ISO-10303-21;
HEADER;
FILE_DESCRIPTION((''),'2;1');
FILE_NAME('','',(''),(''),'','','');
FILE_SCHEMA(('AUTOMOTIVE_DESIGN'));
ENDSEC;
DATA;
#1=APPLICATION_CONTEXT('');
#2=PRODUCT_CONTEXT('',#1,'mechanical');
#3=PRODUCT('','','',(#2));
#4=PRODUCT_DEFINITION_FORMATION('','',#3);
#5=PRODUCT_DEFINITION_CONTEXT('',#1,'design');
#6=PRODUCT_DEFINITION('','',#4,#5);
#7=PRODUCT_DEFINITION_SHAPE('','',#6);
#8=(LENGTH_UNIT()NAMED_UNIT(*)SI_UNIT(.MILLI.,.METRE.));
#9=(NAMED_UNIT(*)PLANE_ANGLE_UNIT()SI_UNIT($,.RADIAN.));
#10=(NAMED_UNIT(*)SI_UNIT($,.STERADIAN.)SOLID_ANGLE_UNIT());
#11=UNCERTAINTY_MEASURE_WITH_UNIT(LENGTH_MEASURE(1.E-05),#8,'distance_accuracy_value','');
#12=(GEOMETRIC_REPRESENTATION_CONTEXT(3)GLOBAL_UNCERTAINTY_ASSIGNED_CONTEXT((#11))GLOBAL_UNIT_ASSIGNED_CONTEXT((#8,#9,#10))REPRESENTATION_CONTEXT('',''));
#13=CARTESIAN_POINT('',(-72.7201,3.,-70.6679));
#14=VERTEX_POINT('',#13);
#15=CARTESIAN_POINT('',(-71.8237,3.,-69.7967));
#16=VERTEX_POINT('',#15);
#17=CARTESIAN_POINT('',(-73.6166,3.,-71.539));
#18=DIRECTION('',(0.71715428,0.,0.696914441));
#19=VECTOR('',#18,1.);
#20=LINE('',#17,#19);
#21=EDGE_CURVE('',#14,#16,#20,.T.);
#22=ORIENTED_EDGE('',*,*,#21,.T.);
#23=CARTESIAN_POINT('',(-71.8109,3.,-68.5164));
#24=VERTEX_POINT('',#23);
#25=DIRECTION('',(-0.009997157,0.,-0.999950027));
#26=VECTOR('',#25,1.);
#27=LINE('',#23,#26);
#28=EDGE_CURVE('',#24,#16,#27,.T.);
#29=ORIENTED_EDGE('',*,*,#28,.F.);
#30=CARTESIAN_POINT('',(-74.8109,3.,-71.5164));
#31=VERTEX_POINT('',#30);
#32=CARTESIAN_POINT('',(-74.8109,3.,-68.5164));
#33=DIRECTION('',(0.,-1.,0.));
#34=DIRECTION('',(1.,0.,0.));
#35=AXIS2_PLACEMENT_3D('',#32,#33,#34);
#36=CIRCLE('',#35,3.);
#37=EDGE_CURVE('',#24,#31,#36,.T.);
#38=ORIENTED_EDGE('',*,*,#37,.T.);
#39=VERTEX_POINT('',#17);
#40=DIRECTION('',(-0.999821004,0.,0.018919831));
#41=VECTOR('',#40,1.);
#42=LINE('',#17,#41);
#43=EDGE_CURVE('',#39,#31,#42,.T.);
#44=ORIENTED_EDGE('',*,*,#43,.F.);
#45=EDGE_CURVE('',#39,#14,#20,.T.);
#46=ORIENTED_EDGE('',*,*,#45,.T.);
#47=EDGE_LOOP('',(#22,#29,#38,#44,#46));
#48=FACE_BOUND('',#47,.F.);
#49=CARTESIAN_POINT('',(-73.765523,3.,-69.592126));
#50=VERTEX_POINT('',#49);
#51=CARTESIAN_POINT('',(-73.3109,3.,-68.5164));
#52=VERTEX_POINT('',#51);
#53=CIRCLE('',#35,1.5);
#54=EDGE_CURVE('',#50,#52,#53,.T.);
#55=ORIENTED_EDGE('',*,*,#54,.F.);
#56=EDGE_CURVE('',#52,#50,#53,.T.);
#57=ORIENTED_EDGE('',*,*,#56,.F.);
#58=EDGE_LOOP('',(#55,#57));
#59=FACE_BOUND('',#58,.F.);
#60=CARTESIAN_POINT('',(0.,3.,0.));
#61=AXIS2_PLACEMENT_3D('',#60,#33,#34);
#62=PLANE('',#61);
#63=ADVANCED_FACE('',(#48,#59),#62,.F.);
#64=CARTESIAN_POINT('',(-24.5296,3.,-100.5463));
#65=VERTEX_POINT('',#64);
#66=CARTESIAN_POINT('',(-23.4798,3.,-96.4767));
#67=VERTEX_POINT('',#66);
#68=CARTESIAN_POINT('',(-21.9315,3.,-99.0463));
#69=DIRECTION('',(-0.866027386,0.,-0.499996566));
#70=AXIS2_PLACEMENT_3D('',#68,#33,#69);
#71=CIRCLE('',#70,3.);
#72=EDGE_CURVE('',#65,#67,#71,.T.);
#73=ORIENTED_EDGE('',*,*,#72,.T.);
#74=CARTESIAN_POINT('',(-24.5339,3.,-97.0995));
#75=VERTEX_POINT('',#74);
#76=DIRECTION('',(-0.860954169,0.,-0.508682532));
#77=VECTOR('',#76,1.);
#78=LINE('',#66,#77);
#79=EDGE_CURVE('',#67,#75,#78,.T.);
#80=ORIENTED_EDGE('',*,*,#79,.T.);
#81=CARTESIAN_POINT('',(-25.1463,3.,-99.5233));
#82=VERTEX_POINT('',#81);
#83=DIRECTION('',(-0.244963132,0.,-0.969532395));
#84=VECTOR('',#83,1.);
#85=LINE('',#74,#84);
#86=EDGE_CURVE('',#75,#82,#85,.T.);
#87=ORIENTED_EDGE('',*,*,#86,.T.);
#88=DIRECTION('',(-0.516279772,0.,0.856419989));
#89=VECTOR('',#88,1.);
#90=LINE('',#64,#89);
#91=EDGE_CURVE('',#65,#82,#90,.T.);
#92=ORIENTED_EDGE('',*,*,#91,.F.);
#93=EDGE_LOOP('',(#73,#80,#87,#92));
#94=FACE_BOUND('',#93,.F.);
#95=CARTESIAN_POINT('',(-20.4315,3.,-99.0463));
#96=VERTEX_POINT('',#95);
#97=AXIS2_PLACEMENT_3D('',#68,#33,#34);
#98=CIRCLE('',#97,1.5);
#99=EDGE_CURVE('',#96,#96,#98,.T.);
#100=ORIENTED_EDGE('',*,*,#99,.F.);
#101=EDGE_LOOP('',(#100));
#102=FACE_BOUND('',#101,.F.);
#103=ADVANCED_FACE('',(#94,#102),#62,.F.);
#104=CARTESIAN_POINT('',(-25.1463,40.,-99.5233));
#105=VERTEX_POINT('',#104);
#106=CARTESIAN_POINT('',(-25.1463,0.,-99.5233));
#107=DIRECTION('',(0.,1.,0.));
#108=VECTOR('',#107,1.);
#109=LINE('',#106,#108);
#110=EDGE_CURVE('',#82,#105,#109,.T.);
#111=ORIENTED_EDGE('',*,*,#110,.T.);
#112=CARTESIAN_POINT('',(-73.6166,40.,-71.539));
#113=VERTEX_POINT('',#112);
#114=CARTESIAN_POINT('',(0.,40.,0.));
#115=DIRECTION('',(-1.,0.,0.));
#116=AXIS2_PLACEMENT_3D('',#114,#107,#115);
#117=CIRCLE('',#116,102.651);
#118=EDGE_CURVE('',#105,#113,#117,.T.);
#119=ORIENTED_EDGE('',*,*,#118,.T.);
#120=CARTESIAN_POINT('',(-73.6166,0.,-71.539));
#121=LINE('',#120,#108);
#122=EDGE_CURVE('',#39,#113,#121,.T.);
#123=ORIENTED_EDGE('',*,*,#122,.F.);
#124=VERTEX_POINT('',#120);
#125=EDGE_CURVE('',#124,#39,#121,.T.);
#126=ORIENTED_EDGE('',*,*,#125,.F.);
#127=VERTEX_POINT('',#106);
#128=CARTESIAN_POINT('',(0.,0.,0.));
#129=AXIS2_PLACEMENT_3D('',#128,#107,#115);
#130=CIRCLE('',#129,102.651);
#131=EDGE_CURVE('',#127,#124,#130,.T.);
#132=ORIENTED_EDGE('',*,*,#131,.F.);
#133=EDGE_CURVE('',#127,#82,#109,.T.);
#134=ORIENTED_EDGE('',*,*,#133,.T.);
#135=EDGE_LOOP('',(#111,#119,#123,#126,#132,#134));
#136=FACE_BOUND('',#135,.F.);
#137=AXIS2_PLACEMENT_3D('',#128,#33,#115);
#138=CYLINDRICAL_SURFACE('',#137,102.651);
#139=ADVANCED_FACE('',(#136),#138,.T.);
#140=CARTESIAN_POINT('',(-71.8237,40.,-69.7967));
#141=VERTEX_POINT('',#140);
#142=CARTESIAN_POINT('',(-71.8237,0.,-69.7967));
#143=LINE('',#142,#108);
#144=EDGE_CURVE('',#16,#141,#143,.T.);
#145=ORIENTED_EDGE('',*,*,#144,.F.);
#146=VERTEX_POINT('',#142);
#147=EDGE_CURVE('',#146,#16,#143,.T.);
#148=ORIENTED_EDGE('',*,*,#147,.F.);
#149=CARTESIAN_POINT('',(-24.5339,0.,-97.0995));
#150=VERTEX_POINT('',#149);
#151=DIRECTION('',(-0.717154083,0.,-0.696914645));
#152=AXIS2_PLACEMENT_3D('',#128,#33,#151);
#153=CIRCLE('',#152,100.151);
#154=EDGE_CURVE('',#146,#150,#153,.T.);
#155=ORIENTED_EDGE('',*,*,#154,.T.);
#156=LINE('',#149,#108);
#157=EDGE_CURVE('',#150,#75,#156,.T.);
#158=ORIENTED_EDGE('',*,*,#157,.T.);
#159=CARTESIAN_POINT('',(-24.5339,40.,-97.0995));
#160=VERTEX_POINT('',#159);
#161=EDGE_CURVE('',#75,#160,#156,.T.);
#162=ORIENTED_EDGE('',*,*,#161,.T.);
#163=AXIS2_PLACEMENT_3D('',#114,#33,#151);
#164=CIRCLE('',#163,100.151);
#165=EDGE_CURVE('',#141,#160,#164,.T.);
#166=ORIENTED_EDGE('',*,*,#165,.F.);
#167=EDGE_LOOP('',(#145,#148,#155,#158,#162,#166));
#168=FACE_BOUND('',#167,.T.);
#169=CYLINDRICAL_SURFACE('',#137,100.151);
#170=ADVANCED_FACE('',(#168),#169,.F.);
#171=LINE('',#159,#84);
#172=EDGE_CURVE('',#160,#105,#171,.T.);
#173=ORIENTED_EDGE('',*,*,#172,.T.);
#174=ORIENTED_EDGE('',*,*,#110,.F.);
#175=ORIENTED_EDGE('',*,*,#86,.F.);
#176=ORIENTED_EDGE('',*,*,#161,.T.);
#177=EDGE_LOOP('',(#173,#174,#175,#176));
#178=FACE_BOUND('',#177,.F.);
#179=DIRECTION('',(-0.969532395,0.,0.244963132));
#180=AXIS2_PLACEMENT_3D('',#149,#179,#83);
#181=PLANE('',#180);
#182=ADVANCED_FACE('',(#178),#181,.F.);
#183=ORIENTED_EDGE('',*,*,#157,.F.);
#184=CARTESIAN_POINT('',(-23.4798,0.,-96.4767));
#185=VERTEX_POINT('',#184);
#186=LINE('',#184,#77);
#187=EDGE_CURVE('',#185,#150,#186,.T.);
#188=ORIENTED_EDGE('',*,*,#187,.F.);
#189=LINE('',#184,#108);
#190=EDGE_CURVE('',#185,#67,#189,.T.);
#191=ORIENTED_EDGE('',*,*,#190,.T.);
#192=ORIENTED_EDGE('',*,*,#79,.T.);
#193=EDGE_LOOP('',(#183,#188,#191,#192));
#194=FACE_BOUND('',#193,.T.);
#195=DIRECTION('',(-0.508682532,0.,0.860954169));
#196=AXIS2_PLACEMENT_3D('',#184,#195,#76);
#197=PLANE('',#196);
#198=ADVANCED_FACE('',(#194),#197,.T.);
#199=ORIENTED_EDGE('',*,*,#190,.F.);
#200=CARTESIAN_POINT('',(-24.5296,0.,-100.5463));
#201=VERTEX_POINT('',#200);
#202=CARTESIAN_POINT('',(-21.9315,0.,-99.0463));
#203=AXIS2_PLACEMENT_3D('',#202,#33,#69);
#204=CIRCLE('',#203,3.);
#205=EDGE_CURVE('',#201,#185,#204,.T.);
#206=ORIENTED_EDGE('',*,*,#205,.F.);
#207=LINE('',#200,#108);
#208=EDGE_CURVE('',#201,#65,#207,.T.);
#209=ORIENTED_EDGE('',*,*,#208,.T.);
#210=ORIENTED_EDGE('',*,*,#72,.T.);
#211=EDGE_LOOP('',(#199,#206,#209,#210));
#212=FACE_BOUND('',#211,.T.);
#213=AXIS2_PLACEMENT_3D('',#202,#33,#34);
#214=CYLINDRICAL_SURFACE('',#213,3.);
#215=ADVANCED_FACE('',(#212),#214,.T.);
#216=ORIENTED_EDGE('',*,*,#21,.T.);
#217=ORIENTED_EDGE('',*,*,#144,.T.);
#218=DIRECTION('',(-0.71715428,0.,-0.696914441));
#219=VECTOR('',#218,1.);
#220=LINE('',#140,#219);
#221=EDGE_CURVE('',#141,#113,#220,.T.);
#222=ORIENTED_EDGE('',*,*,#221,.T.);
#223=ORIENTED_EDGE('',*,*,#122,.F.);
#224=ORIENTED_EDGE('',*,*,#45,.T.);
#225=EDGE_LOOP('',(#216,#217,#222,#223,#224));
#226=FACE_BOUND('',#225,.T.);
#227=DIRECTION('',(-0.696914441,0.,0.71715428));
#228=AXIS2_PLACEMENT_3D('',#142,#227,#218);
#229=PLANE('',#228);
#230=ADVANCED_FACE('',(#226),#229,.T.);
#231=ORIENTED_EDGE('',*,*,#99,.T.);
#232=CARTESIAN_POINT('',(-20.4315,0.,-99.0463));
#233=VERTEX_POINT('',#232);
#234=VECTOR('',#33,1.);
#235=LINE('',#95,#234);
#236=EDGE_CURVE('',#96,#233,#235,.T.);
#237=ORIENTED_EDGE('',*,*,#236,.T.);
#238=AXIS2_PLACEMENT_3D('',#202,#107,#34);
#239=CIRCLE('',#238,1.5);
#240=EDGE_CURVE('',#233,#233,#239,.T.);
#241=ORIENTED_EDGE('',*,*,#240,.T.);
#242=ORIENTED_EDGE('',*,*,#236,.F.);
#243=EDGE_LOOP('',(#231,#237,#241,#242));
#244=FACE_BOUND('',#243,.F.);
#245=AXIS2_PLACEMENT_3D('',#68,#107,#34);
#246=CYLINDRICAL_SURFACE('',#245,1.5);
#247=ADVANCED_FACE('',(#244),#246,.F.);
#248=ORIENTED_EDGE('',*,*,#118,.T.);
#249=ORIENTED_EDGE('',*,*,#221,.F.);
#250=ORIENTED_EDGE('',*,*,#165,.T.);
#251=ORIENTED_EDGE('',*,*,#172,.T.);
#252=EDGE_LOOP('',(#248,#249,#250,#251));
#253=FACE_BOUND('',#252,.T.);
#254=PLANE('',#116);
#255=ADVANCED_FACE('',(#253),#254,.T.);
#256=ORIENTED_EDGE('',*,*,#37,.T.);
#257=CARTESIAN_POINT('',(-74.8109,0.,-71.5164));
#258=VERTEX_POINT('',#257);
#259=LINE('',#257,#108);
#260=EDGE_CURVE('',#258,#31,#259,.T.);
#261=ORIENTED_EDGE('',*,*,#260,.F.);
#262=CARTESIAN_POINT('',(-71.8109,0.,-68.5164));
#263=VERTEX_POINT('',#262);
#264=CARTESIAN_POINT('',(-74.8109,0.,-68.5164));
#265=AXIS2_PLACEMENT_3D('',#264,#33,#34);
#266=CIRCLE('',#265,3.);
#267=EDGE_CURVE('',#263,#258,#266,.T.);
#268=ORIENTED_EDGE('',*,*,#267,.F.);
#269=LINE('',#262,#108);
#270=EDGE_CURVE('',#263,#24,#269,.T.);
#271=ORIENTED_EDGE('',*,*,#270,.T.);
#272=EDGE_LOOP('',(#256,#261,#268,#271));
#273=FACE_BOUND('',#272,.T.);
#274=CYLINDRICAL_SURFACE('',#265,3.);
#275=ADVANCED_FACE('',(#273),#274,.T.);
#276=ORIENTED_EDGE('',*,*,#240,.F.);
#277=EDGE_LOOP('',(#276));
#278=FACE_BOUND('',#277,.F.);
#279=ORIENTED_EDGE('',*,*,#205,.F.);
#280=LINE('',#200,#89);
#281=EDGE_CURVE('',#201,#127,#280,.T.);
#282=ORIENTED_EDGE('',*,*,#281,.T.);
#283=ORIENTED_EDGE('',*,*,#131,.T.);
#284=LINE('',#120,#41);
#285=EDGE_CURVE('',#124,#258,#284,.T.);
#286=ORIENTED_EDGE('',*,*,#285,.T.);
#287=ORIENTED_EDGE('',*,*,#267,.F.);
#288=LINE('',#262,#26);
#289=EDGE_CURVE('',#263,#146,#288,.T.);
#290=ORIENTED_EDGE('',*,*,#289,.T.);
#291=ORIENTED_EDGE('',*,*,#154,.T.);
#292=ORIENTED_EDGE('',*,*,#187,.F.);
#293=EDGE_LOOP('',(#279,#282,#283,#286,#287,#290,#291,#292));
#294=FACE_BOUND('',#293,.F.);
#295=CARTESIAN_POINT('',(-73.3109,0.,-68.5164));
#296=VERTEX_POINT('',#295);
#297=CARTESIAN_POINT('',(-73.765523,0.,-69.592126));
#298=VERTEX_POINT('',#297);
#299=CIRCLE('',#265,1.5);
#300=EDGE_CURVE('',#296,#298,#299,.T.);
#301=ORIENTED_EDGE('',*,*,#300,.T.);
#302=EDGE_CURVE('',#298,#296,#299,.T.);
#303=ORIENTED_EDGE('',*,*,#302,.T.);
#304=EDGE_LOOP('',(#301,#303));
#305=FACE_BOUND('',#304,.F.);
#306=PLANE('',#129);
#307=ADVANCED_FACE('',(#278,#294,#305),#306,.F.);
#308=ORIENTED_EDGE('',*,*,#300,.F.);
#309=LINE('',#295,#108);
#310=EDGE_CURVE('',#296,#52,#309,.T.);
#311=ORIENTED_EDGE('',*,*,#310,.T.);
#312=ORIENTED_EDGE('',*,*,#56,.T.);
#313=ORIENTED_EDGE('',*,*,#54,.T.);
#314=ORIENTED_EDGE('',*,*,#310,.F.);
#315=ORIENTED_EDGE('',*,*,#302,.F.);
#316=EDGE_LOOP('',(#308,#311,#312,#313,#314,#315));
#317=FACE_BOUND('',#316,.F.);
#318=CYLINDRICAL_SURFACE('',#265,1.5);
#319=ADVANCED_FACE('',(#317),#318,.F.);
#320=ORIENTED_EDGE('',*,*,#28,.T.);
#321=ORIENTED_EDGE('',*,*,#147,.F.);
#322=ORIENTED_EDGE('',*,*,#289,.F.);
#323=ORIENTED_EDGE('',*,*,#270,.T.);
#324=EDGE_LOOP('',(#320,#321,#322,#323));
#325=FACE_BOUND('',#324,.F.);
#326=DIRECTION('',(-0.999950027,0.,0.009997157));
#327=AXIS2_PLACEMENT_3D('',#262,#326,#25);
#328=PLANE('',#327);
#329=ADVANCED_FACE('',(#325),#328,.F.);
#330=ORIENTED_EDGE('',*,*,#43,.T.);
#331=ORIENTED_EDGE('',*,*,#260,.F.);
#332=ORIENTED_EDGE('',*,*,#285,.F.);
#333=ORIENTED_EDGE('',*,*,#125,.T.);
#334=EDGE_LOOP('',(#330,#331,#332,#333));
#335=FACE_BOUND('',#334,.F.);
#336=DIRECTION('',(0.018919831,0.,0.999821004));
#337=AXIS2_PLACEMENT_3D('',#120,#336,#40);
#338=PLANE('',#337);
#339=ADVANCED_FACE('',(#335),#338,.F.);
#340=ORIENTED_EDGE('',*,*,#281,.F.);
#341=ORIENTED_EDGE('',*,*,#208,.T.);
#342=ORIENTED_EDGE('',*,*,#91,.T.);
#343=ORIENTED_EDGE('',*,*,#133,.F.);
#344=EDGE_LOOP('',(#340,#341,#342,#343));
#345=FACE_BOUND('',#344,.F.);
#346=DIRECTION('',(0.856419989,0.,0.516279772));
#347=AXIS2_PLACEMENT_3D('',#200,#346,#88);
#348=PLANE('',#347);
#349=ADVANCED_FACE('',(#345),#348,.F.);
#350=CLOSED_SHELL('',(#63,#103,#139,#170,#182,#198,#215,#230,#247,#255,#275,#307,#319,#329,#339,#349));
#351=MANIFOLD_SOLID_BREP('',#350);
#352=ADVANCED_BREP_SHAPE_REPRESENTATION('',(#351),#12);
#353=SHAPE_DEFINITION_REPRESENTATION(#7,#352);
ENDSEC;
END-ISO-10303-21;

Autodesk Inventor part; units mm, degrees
ref_plane "YZ Plane" through (0, 0, 0) normal (1, 0, 0) x (0, 1, 0)
ref_plane "XZ Plane" through (0, 0, 0) normal (0, 1, 0) x (-1, 0, 0)
ref_plane "XY Plane" through (0, 0, 0) normal (0, 0, 1) x (1, 0, 0)
sketch "Sketch1" plane through (0, 0, 0) normal (0, 1, 0) x (-1, 0, 0)
  circle A0 centre (0, 0) radius 100.151
  line L0 (0, 0) -> (50.0755, -86.7333)
  line L1 (0, 0) -> (100.151, 0) construction
  line L2 (0, 0) -> (50.0755, 86.7333)
  line L3 (0, 0) -> (100.151, 0) construction
  line L4 (0, 0) -> (-100.151, 0)
  line L5 (50.0755, -86.7333) -> (100.0755, -86.7333) construction
  line L6 (50.0755, -86.7333) -> (24.5339, -97.0995)
  line L7 (50.0755, -86.7333) -> (100.0755, -86.7333) construction
  line L8 (71.8237, -69.7967) -> (50.0755, -86.7333)
  circle A1 centre (0, 0) radius 102.651
  line L9 (0, 0) -> (71.8237, -69.7967)
  line L10 (71.8237, -69.7967) -> (73.6166, -71.539)
  line L11 (0, 0) -> (24.5339, -97.0995)
  line L12 (24.5339, -97.0995) -> (25.1463, -99.5233)
  dimension "d0" = 200.302
  dimension "d1" = 60
  dimension "d2" = 60
  dimension "d8" = 205.302
extrude "Extrusion1" add sketch "Sketch1" along normal blind 40 contours L10 A1 L12 A0 picked at (67.2642, -76.2102)
sketch "Sketch2" plane through (0, 0, 0) normal (0, -1, 0) x (1, 0, 0)
  line L0 (-24.5339, -97.0995) -> (-25.1463, -99.5233) projected
  line L1 (-24.8401, -98.3114) -> (-21.9315, -99.0463)
  circle A0 centre (-21.9315, -99.0463) radius 1.5
  line L2 (-73.6166, -71.539) -> (-71.8237, -69.7967) projected
  line L3 (-72.7201, -70.6679) -> (-74.8716, -72.7586)
  line L4 (-74.8716, -72.7586) -> (-72.7201, -70.6679)
  line L5 (-72.7201, -70.6679) -> (-74.8109, -68.5164)
  circle A1 centre (-74.8109, -68.5164) radius 1.5
  circle A2 centre (-74.8109, -68.5164) radius 3
  arc A3 (-73.6166, -71.539) -> (-25.1463, -99.5233) centre (0, 0) ccw projected
  line L6 (-73.6166, -71.539) -> (-74.8109, -71.5164)
  arc A4 (-71.8237, -69.7967) -> (-24.5339, -97.0995) centre (0, 0) ccw projected
  line L7 (-71.8109, -68.5164) -> (-71.8237, -69.7967)
  circle A5 centre (-21.9315, -99.0463) radius 3
  line L8 (-21.9315, -99.0463) -> (-24.5296, -100.5463)
  line L9 (-21.9315, -99.0463) -> (-18.9315, -99.0463) construction
  line L10 (-24.5296, -100.5463) -> (-25.1463, -99.5233)
  arc A6 (-22.1585, -98.9889) -> (-21.9315, -99.0463) centre (-21.9315, -98.5684) ccw
  line L11 (-21.9315, -99.0463) -> (-22.9003, -97.4384)
  line L12 (-21.9315, -99.0463) -> (-20.0543, -99.0463) construction
  line L13 (-22.9003, -97.4384) -> (-23.4798, -96.4767)
  line L14 (-23.4798, -96.4767) -> (-24.5339, -97.0995)
  point P0 (0, 0)
  dimension "d12" = 3
  dimension "d13" = 3
  dimension "d14" = 3
  dimension "d15" = 210
  dimension "d16" = 121.07
extrude "Extrusion2" add sketch "Sketch2" against normal blind 3 contours L14 A5 L0 | L7 L2 A2 | A5 L10 L0 | A5 L13 L11 A0 L1 | L1 A0 L8 A5 | A5 L8 A0 L11 L13 | A0 L11 L1 | L1 A6 L8 A0 | L2 L6 A2 | A2 | L1 A6 | A0 L8 L11
sketch "Sketch3" plane through (0, 3, 0) normal (0, 1, 0) x (1, 0, 0)
  arc A0 (-23.4798, 96.4767) -> (-24.5296, 100.5463) centre (-21.9315, 99.0463) ccw projected
  circle A1 centre (-21.9315, 99.0463) radius 1.5
  point P0 (0, 0)
  dimension "d19" = 3
extrude "Extrusion3" cut sketch "Sketch3" against normal blind 3
properties part number "Wheel Guard"
